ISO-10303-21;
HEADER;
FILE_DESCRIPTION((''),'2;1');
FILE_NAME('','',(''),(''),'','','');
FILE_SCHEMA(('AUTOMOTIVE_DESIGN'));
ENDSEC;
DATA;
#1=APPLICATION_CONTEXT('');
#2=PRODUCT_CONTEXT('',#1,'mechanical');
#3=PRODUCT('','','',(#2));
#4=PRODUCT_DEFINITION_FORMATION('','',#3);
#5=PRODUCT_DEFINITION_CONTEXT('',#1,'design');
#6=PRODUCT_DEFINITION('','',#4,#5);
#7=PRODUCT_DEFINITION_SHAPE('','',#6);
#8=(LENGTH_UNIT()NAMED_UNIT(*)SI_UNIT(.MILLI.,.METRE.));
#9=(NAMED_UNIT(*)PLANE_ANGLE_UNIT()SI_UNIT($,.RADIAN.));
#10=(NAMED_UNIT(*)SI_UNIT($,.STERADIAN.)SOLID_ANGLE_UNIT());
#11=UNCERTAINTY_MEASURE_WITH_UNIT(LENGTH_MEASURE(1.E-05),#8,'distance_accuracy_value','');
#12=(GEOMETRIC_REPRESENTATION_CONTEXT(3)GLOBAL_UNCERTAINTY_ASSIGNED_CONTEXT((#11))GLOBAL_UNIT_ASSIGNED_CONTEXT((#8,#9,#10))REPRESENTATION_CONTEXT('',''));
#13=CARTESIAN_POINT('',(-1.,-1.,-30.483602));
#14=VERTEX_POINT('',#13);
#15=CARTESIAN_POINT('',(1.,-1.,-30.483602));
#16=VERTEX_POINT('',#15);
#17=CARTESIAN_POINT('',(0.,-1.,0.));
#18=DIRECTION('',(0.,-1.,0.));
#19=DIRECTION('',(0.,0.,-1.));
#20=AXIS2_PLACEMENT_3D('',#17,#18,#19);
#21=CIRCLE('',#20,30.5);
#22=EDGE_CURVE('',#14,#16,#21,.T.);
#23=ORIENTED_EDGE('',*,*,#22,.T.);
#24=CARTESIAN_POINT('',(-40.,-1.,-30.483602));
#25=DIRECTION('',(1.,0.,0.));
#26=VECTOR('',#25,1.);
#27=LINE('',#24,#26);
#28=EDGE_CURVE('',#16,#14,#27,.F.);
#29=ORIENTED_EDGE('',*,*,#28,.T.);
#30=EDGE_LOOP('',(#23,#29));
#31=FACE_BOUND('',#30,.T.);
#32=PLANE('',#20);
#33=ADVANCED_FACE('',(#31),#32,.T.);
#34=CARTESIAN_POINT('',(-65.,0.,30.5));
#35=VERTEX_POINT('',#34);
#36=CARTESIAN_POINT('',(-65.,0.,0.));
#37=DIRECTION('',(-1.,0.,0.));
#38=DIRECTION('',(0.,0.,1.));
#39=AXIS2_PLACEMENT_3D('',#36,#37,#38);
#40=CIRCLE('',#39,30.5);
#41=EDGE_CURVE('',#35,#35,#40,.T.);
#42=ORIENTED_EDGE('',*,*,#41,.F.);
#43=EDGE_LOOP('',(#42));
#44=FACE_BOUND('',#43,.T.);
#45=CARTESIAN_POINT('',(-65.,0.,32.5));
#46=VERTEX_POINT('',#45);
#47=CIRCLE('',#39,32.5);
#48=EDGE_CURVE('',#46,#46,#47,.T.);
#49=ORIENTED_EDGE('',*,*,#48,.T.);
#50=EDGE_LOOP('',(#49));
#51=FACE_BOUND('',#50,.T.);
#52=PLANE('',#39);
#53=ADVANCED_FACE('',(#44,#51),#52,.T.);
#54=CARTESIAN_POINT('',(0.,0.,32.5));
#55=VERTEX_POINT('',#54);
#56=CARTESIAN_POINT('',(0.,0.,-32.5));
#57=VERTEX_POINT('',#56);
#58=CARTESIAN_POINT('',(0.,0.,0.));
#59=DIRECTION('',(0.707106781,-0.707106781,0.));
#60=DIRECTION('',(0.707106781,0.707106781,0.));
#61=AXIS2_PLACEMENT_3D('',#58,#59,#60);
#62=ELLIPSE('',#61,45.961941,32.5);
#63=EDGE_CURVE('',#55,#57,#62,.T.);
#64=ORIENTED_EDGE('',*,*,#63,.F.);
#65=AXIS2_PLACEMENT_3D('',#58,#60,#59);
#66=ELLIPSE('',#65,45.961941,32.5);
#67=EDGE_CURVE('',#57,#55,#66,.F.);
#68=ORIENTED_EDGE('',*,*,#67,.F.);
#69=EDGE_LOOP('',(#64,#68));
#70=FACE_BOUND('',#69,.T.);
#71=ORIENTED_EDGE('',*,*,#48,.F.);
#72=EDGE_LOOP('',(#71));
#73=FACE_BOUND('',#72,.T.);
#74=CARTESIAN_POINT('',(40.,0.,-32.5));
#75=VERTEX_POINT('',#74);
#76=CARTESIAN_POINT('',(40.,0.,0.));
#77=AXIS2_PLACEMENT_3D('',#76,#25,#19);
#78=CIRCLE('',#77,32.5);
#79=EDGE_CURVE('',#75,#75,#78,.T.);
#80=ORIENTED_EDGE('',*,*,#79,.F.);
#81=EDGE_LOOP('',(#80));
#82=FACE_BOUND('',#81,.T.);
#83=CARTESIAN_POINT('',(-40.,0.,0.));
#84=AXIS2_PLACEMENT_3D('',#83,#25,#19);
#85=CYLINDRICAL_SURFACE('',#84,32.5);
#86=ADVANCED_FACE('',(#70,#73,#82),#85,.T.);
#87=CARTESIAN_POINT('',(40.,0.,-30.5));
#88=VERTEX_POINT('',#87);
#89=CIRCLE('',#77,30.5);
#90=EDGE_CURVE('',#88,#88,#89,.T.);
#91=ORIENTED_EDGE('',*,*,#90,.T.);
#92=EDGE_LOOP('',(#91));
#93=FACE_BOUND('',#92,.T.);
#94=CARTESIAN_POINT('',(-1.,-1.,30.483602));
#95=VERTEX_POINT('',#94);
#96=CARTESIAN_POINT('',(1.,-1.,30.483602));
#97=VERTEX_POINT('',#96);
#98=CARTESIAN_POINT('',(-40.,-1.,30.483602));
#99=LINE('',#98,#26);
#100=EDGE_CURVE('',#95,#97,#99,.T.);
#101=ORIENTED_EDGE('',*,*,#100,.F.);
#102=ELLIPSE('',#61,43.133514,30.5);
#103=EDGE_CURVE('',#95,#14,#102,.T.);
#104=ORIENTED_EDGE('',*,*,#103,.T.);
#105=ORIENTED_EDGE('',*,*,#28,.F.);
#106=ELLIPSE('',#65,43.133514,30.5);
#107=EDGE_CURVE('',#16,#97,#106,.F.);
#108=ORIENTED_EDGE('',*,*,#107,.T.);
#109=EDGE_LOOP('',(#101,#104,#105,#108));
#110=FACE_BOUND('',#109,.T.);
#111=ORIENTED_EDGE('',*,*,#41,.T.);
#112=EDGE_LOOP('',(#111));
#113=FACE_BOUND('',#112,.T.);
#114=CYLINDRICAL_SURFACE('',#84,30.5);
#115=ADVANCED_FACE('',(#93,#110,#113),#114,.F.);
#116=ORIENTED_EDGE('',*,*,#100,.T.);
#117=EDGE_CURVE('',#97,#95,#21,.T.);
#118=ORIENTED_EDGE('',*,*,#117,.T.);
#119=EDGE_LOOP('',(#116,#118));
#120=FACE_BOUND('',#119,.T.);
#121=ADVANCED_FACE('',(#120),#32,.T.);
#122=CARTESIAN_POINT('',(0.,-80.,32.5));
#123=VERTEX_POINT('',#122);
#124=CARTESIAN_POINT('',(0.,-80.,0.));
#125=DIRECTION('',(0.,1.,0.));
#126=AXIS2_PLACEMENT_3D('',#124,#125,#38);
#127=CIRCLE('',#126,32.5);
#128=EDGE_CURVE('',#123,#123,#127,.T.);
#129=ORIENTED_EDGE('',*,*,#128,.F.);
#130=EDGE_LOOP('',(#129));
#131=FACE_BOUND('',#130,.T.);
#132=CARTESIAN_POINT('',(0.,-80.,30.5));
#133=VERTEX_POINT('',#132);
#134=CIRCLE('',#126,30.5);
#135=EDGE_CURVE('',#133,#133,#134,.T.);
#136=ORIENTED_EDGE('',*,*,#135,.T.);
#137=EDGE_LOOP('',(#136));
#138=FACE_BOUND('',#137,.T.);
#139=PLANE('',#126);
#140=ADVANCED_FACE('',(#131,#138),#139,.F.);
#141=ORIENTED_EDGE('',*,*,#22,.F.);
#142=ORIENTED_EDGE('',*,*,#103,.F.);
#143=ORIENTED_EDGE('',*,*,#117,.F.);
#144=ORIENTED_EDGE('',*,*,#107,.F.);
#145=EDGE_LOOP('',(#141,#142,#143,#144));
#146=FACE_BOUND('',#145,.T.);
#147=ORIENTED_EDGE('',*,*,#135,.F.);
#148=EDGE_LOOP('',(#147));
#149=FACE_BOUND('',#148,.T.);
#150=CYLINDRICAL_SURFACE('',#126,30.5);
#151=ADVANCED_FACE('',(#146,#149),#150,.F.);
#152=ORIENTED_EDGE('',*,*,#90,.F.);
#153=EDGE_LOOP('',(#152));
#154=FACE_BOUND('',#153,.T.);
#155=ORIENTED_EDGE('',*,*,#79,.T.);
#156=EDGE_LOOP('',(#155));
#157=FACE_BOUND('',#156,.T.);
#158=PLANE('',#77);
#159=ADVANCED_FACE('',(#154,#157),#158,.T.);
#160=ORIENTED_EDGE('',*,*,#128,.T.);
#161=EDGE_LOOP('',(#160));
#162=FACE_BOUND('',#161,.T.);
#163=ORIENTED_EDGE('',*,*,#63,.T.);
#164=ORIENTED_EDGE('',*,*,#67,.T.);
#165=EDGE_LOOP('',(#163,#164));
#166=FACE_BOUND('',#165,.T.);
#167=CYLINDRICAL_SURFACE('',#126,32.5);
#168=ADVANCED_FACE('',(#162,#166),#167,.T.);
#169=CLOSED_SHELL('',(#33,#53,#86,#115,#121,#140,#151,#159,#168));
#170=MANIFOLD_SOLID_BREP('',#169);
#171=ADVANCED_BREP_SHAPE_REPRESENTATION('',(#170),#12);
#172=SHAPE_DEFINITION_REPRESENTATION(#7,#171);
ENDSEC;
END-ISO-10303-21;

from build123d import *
from build123d.topology import SkipClean

# Parameters (mm, degrees)
BOSS_EXTRUDE1_DEPTH      = 40
BOSS_EXTRUDE1_DEPTH_BACK = 40
SKETCH1_R                = 32.5
SKETCH1_R_2              = 30.5
SKETCH2_R                = 32.5
SKETCH2_R_2              = 30.5
BOSS_EXTRUDE2_DEPTH      = 80
SKETCH3_R                = 30.5
CUT_EXTRUDE1_DEPTH       = 80
CUT_EXTRUDE2_START       = -79
SKETCH4_R                = 30.5
CUT_EXTRUDE2_DEPTH       = 79
SKETCH5_R                = 32.5
SKETCH5_R_2              = 30.5
BOSS_EXTRUDE3_DEPTH      = 25


with BuildPart() as part:
    # Sketch1 → Boss-Extrude1 (new, two sides: drawn at the far end of the back side and taken through both)
    with BuildSketch(Plane(origin=(0, 0, 0), x_dir=(0, 0, -1), z_dir=(1, 0, 0)).offset(-BOSS_EXTRUDE1_DEPTH_BACK)):
        Circle(SKETCH1_R)
        Circle(SKETCH1_R_2, mode=Mode.SUBTRACT)
    extrude(amount=BOSS_EXTRUDE1_DEPTH + BOSS_EXTRUDE1_DEPTH_BACK)

    # Sketch2 → Boss-Extrude2 (add)
    with BuildSketch(Plane(origin=(0, 0, 0), x_dir=(1, 0, 0), z_dir=(0, 1, 0))):
        Circle(SKETCH2_R)
        Circle(SKETCH2_R_2, mode=Mode.SUBTRACT)
    extrude(amount=-BOSS_EXTRUDE2_DEPTH)

    # Sketch3 → Cut-Extrude1 (cut)
    with BuildSketch(Plane(origin=(40, 0, 0), x_dir=(0, 0, -1), z_dir=(1, 0, 0))):
        Circle(SKETCH3_R)
    extrude(amount=-CUT_EXTRUDE1_DEPTH, mode=Mode.SUBTRACT)

    # Sketch4 → Cut-Extrude2 (cut)
    with SkipClean():  # the faces are left unmerged after this step: merging them gives an invalid solid
        with BuildSketch(Plane.XZ.offset(80).offset(CUT_EXTRUDE2_START)):
            Circle(SKETCH4_R)
        extrude(amount=CUT_EXTRUDE2_DEPTH, mode=Mode.SUBTRACT)

    # Sketch5 → Boss-Extrude3 (add)
    with BuildSketch(Plane.ZY.offset(40)):
        Circle(SKETCH5_R)
        Circle(SKETCH5_R_2, mode=Mode.SUBTRACT)
    extrude(amount=BOSS_EXTRUDE3_DEPTH)


solid = part.part
